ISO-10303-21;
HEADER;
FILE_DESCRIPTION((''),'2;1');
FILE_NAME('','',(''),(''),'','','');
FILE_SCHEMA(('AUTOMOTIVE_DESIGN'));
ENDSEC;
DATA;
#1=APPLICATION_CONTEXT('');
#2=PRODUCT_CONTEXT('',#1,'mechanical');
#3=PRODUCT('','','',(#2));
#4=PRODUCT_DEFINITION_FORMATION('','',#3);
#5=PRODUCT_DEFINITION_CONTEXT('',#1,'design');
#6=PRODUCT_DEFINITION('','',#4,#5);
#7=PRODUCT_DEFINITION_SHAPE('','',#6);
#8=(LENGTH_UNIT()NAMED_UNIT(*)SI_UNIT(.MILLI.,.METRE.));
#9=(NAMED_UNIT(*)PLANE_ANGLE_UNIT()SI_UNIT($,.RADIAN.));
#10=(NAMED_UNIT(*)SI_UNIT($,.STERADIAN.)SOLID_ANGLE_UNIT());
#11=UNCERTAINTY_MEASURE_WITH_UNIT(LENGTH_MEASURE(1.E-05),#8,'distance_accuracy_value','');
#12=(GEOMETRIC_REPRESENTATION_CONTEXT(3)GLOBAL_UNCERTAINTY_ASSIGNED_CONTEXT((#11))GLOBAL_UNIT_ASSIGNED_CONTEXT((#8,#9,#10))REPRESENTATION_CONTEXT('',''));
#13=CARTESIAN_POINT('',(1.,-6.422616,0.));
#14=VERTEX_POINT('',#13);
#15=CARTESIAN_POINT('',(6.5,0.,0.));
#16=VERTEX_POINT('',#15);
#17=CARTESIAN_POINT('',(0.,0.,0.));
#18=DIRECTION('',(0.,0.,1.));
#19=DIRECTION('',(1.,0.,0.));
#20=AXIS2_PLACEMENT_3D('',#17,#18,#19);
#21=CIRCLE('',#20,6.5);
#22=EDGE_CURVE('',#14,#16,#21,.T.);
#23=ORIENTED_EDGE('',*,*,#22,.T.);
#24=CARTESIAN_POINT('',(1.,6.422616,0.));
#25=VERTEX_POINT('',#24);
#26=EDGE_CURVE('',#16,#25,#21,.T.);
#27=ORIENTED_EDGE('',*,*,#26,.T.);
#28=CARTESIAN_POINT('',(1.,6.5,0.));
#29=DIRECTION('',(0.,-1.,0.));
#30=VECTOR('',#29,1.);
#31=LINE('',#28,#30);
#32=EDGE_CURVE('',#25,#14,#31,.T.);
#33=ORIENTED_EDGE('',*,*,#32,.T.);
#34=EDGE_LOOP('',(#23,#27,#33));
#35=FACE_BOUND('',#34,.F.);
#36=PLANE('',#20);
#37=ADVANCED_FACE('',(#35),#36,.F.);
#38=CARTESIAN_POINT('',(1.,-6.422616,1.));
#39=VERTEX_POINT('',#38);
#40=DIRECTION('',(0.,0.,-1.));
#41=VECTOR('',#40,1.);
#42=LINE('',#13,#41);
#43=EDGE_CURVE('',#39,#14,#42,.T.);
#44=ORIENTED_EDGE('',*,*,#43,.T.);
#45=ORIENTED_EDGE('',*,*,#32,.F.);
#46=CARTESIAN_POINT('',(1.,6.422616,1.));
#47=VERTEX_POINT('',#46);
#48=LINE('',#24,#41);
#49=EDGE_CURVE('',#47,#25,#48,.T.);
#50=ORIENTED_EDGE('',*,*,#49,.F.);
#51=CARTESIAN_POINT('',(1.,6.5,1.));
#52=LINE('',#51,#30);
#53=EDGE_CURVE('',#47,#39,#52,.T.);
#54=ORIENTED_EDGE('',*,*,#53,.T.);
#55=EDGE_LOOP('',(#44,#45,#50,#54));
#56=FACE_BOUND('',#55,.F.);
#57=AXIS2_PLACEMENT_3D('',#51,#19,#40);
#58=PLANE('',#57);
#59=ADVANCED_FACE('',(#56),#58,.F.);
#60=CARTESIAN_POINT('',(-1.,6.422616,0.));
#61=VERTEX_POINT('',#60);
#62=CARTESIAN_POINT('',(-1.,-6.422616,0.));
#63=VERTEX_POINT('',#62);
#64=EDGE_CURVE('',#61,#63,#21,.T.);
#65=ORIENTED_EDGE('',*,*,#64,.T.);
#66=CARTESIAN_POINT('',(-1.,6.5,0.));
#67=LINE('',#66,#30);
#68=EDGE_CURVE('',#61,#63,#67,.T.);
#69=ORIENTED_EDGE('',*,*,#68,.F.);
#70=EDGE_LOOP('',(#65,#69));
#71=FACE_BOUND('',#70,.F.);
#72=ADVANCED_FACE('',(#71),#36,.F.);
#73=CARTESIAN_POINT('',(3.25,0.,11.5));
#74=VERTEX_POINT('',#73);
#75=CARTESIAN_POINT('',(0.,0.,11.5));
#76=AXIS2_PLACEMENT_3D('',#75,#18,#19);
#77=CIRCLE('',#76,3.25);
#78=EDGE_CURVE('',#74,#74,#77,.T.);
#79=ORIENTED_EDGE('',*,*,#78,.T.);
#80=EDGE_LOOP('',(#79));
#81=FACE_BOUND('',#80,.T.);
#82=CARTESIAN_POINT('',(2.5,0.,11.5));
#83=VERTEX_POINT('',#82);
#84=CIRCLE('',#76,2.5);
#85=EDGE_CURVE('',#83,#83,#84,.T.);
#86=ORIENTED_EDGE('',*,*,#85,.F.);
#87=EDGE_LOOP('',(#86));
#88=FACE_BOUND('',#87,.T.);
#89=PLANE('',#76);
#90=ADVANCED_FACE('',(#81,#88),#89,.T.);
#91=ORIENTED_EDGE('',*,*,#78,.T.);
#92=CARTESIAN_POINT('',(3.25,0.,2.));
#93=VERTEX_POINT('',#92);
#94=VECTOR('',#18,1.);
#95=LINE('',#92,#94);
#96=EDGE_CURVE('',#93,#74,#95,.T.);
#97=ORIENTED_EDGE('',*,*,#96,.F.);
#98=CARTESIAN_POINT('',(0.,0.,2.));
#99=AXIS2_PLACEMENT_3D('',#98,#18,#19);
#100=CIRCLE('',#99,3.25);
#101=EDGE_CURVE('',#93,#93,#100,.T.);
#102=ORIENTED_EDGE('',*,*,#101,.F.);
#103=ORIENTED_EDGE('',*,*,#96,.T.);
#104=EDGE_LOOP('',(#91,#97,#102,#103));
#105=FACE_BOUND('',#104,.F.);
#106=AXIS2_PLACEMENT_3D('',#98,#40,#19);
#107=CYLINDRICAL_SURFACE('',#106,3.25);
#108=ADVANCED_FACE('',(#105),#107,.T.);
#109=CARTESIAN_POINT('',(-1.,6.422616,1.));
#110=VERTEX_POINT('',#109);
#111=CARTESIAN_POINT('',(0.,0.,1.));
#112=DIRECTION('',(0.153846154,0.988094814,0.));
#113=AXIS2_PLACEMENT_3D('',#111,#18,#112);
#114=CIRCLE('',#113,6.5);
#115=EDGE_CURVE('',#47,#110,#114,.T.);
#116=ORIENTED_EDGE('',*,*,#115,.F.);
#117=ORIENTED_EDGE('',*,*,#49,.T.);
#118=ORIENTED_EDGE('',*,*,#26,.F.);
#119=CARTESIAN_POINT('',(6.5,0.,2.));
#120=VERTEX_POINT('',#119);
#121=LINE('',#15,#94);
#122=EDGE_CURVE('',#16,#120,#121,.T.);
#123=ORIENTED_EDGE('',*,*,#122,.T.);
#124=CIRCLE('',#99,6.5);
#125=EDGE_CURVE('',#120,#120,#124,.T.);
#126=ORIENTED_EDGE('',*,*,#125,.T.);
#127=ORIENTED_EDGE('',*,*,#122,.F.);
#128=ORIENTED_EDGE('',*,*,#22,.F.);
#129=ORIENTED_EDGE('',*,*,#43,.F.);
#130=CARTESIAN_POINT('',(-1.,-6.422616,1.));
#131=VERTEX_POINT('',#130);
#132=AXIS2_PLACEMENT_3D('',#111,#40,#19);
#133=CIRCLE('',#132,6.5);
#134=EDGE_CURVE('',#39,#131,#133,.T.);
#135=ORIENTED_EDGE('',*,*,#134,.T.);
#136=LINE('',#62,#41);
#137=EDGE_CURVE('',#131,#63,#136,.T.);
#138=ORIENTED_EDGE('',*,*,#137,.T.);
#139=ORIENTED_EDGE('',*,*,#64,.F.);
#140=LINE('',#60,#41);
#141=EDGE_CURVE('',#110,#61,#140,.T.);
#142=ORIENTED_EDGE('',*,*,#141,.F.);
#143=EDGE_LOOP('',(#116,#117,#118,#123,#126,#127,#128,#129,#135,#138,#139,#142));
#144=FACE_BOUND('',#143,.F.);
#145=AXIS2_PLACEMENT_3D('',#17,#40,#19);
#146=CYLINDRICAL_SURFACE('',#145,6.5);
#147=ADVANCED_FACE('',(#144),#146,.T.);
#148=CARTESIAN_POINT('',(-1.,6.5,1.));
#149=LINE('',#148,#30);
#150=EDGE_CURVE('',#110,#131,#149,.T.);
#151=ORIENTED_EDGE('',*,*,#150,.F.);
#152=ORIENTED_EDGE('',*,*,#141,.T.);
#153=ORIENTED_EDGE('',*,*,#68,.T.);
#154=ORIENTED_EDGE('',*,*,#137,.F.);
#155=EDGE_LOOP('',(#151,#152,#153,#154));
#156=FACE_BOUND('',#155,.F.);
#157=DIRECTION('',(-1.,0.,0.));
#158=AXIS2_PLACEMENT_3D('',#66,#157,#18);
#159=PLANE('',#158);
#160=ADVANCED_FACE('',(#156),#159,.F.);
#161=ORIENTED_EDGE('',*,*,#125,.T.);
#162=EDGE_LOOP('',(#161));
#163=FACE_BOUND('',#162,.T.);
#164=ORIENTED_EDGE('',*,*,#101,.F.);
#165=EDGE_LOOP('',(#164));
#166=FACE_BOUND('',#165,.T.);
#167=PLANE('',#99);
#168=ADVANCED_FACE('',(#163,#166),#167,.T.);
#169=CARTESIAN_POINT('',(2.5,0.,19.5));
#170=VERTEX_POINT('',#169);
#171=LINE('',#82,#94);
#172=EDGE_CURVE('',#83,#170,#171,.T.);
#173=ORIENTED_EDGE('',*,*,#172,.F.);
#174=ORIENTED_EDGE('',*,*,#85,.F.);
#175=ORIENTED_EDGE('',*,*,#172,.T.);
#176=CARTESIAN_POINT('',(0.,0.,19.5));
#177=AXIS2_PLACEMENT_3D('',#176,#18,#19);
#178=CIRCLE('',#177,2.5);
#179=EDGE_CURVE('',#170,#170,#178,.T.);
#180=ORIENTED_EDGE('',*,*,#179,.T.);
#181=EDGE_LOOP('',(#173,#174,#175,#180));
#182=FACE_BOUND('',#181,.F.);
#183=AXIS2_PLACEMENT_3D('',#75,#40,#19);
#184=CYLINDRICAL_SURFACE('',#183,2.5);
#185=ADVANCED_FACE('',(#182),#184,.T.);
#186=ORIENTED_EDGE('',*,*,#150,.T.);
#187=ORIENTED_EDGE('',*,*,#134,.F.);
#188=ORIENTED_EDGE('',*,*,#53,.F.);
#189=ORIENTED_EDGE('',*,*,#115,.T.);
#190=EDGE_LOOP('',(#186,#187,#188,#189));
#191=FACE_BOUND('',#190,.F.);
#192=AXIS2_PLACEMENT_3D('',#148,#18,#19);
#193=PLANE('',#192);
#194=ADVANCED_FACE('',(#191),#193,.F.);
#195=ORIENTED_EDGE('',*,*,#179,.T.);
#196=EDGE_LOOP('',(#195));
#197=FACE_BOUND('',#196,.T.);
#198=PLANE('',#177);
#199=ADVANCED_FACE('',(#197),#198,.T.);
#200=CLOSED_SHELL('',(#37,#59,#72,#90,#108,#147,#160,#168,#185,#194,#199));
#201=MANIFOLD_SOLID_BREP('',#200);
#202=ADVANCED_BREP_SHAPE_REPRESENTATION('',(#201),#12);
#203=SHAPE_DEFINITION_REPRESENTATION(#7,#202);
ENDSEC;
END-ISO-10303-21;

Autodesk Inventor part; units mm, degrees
ref_plane "YZ Plane" through (0, 0, 0) normal (1, 0, 0) x (0, 1, 0)
ref_plane "XY Plane" through (0, 0, 0) normal (0, 0, 1) x (1, 0, 0)
sketch "Sketch1" plane through (0, 0, 0) normal (0, 0, 1) x (1, 0, 0)
  circle A0 centre (0, 0) radius 6.5
  dimension "d0" = 13
extrude "Extrusion1" add sketch "Sketch1" along normal blind 2
sketch "Sketch2" plane through (0, 0, 2) normal (0, 0, 1) x (1, 0, 0)
  circle A0 centre (0, 0) radius 6.5 projected
  circle A1 centre (0, 0) radius 3.25
  dimension "d3" = 6.5
extrude "Extrusion2" add sketch "Sketch2" along normal blind 9.5 contours A1
ref_plane "Work Plane1" through (0, 6.5, 0) normal (0, 1, 0) x (-1, 0, 0)
sketch "Sketch3" plane through (0, 6.5, 0) normal (0, 1, 0) x (-1, 0, 0)
  line L0 (6.5, 0) -> (-6.5, 0) projected
  line L1 (-1, 0) -> (1, 0)
  line L2 (1, 0) -> (1, 1)
  line L3 (1, 1) -> (-1, 1)
  line L4 (-1, 1) -> (-1, 0)
  point P0 (0, 0)
  point P1 (1, 0.5)
  point P2 (0, 0)
  dimension "d7" = 2
  dimension "d8" = 1
  dimension "d9" = 1
extrude "Extrusion3" cut sketch "Sketch3" against normal through all
sketch "Sketch4" plane through (0, 0, 11.5) normal (0, 0, 1) x (1, 0, 0)
  circle A0 centre (0, 0) radius 3.25 projected
  circle A1 centre (0, 0) radius 2.5
  dimension "d12" = 5
extrude "Extrusion4" add sketch "Sketch4" along normal blind 8 contours A1
thread "Thread1" size "M5x0.8" class "6g" standard "ANSI Metric M Profile" length 8
properties part number "Crankpin" material "Steel AISI 1020 107 HR"
